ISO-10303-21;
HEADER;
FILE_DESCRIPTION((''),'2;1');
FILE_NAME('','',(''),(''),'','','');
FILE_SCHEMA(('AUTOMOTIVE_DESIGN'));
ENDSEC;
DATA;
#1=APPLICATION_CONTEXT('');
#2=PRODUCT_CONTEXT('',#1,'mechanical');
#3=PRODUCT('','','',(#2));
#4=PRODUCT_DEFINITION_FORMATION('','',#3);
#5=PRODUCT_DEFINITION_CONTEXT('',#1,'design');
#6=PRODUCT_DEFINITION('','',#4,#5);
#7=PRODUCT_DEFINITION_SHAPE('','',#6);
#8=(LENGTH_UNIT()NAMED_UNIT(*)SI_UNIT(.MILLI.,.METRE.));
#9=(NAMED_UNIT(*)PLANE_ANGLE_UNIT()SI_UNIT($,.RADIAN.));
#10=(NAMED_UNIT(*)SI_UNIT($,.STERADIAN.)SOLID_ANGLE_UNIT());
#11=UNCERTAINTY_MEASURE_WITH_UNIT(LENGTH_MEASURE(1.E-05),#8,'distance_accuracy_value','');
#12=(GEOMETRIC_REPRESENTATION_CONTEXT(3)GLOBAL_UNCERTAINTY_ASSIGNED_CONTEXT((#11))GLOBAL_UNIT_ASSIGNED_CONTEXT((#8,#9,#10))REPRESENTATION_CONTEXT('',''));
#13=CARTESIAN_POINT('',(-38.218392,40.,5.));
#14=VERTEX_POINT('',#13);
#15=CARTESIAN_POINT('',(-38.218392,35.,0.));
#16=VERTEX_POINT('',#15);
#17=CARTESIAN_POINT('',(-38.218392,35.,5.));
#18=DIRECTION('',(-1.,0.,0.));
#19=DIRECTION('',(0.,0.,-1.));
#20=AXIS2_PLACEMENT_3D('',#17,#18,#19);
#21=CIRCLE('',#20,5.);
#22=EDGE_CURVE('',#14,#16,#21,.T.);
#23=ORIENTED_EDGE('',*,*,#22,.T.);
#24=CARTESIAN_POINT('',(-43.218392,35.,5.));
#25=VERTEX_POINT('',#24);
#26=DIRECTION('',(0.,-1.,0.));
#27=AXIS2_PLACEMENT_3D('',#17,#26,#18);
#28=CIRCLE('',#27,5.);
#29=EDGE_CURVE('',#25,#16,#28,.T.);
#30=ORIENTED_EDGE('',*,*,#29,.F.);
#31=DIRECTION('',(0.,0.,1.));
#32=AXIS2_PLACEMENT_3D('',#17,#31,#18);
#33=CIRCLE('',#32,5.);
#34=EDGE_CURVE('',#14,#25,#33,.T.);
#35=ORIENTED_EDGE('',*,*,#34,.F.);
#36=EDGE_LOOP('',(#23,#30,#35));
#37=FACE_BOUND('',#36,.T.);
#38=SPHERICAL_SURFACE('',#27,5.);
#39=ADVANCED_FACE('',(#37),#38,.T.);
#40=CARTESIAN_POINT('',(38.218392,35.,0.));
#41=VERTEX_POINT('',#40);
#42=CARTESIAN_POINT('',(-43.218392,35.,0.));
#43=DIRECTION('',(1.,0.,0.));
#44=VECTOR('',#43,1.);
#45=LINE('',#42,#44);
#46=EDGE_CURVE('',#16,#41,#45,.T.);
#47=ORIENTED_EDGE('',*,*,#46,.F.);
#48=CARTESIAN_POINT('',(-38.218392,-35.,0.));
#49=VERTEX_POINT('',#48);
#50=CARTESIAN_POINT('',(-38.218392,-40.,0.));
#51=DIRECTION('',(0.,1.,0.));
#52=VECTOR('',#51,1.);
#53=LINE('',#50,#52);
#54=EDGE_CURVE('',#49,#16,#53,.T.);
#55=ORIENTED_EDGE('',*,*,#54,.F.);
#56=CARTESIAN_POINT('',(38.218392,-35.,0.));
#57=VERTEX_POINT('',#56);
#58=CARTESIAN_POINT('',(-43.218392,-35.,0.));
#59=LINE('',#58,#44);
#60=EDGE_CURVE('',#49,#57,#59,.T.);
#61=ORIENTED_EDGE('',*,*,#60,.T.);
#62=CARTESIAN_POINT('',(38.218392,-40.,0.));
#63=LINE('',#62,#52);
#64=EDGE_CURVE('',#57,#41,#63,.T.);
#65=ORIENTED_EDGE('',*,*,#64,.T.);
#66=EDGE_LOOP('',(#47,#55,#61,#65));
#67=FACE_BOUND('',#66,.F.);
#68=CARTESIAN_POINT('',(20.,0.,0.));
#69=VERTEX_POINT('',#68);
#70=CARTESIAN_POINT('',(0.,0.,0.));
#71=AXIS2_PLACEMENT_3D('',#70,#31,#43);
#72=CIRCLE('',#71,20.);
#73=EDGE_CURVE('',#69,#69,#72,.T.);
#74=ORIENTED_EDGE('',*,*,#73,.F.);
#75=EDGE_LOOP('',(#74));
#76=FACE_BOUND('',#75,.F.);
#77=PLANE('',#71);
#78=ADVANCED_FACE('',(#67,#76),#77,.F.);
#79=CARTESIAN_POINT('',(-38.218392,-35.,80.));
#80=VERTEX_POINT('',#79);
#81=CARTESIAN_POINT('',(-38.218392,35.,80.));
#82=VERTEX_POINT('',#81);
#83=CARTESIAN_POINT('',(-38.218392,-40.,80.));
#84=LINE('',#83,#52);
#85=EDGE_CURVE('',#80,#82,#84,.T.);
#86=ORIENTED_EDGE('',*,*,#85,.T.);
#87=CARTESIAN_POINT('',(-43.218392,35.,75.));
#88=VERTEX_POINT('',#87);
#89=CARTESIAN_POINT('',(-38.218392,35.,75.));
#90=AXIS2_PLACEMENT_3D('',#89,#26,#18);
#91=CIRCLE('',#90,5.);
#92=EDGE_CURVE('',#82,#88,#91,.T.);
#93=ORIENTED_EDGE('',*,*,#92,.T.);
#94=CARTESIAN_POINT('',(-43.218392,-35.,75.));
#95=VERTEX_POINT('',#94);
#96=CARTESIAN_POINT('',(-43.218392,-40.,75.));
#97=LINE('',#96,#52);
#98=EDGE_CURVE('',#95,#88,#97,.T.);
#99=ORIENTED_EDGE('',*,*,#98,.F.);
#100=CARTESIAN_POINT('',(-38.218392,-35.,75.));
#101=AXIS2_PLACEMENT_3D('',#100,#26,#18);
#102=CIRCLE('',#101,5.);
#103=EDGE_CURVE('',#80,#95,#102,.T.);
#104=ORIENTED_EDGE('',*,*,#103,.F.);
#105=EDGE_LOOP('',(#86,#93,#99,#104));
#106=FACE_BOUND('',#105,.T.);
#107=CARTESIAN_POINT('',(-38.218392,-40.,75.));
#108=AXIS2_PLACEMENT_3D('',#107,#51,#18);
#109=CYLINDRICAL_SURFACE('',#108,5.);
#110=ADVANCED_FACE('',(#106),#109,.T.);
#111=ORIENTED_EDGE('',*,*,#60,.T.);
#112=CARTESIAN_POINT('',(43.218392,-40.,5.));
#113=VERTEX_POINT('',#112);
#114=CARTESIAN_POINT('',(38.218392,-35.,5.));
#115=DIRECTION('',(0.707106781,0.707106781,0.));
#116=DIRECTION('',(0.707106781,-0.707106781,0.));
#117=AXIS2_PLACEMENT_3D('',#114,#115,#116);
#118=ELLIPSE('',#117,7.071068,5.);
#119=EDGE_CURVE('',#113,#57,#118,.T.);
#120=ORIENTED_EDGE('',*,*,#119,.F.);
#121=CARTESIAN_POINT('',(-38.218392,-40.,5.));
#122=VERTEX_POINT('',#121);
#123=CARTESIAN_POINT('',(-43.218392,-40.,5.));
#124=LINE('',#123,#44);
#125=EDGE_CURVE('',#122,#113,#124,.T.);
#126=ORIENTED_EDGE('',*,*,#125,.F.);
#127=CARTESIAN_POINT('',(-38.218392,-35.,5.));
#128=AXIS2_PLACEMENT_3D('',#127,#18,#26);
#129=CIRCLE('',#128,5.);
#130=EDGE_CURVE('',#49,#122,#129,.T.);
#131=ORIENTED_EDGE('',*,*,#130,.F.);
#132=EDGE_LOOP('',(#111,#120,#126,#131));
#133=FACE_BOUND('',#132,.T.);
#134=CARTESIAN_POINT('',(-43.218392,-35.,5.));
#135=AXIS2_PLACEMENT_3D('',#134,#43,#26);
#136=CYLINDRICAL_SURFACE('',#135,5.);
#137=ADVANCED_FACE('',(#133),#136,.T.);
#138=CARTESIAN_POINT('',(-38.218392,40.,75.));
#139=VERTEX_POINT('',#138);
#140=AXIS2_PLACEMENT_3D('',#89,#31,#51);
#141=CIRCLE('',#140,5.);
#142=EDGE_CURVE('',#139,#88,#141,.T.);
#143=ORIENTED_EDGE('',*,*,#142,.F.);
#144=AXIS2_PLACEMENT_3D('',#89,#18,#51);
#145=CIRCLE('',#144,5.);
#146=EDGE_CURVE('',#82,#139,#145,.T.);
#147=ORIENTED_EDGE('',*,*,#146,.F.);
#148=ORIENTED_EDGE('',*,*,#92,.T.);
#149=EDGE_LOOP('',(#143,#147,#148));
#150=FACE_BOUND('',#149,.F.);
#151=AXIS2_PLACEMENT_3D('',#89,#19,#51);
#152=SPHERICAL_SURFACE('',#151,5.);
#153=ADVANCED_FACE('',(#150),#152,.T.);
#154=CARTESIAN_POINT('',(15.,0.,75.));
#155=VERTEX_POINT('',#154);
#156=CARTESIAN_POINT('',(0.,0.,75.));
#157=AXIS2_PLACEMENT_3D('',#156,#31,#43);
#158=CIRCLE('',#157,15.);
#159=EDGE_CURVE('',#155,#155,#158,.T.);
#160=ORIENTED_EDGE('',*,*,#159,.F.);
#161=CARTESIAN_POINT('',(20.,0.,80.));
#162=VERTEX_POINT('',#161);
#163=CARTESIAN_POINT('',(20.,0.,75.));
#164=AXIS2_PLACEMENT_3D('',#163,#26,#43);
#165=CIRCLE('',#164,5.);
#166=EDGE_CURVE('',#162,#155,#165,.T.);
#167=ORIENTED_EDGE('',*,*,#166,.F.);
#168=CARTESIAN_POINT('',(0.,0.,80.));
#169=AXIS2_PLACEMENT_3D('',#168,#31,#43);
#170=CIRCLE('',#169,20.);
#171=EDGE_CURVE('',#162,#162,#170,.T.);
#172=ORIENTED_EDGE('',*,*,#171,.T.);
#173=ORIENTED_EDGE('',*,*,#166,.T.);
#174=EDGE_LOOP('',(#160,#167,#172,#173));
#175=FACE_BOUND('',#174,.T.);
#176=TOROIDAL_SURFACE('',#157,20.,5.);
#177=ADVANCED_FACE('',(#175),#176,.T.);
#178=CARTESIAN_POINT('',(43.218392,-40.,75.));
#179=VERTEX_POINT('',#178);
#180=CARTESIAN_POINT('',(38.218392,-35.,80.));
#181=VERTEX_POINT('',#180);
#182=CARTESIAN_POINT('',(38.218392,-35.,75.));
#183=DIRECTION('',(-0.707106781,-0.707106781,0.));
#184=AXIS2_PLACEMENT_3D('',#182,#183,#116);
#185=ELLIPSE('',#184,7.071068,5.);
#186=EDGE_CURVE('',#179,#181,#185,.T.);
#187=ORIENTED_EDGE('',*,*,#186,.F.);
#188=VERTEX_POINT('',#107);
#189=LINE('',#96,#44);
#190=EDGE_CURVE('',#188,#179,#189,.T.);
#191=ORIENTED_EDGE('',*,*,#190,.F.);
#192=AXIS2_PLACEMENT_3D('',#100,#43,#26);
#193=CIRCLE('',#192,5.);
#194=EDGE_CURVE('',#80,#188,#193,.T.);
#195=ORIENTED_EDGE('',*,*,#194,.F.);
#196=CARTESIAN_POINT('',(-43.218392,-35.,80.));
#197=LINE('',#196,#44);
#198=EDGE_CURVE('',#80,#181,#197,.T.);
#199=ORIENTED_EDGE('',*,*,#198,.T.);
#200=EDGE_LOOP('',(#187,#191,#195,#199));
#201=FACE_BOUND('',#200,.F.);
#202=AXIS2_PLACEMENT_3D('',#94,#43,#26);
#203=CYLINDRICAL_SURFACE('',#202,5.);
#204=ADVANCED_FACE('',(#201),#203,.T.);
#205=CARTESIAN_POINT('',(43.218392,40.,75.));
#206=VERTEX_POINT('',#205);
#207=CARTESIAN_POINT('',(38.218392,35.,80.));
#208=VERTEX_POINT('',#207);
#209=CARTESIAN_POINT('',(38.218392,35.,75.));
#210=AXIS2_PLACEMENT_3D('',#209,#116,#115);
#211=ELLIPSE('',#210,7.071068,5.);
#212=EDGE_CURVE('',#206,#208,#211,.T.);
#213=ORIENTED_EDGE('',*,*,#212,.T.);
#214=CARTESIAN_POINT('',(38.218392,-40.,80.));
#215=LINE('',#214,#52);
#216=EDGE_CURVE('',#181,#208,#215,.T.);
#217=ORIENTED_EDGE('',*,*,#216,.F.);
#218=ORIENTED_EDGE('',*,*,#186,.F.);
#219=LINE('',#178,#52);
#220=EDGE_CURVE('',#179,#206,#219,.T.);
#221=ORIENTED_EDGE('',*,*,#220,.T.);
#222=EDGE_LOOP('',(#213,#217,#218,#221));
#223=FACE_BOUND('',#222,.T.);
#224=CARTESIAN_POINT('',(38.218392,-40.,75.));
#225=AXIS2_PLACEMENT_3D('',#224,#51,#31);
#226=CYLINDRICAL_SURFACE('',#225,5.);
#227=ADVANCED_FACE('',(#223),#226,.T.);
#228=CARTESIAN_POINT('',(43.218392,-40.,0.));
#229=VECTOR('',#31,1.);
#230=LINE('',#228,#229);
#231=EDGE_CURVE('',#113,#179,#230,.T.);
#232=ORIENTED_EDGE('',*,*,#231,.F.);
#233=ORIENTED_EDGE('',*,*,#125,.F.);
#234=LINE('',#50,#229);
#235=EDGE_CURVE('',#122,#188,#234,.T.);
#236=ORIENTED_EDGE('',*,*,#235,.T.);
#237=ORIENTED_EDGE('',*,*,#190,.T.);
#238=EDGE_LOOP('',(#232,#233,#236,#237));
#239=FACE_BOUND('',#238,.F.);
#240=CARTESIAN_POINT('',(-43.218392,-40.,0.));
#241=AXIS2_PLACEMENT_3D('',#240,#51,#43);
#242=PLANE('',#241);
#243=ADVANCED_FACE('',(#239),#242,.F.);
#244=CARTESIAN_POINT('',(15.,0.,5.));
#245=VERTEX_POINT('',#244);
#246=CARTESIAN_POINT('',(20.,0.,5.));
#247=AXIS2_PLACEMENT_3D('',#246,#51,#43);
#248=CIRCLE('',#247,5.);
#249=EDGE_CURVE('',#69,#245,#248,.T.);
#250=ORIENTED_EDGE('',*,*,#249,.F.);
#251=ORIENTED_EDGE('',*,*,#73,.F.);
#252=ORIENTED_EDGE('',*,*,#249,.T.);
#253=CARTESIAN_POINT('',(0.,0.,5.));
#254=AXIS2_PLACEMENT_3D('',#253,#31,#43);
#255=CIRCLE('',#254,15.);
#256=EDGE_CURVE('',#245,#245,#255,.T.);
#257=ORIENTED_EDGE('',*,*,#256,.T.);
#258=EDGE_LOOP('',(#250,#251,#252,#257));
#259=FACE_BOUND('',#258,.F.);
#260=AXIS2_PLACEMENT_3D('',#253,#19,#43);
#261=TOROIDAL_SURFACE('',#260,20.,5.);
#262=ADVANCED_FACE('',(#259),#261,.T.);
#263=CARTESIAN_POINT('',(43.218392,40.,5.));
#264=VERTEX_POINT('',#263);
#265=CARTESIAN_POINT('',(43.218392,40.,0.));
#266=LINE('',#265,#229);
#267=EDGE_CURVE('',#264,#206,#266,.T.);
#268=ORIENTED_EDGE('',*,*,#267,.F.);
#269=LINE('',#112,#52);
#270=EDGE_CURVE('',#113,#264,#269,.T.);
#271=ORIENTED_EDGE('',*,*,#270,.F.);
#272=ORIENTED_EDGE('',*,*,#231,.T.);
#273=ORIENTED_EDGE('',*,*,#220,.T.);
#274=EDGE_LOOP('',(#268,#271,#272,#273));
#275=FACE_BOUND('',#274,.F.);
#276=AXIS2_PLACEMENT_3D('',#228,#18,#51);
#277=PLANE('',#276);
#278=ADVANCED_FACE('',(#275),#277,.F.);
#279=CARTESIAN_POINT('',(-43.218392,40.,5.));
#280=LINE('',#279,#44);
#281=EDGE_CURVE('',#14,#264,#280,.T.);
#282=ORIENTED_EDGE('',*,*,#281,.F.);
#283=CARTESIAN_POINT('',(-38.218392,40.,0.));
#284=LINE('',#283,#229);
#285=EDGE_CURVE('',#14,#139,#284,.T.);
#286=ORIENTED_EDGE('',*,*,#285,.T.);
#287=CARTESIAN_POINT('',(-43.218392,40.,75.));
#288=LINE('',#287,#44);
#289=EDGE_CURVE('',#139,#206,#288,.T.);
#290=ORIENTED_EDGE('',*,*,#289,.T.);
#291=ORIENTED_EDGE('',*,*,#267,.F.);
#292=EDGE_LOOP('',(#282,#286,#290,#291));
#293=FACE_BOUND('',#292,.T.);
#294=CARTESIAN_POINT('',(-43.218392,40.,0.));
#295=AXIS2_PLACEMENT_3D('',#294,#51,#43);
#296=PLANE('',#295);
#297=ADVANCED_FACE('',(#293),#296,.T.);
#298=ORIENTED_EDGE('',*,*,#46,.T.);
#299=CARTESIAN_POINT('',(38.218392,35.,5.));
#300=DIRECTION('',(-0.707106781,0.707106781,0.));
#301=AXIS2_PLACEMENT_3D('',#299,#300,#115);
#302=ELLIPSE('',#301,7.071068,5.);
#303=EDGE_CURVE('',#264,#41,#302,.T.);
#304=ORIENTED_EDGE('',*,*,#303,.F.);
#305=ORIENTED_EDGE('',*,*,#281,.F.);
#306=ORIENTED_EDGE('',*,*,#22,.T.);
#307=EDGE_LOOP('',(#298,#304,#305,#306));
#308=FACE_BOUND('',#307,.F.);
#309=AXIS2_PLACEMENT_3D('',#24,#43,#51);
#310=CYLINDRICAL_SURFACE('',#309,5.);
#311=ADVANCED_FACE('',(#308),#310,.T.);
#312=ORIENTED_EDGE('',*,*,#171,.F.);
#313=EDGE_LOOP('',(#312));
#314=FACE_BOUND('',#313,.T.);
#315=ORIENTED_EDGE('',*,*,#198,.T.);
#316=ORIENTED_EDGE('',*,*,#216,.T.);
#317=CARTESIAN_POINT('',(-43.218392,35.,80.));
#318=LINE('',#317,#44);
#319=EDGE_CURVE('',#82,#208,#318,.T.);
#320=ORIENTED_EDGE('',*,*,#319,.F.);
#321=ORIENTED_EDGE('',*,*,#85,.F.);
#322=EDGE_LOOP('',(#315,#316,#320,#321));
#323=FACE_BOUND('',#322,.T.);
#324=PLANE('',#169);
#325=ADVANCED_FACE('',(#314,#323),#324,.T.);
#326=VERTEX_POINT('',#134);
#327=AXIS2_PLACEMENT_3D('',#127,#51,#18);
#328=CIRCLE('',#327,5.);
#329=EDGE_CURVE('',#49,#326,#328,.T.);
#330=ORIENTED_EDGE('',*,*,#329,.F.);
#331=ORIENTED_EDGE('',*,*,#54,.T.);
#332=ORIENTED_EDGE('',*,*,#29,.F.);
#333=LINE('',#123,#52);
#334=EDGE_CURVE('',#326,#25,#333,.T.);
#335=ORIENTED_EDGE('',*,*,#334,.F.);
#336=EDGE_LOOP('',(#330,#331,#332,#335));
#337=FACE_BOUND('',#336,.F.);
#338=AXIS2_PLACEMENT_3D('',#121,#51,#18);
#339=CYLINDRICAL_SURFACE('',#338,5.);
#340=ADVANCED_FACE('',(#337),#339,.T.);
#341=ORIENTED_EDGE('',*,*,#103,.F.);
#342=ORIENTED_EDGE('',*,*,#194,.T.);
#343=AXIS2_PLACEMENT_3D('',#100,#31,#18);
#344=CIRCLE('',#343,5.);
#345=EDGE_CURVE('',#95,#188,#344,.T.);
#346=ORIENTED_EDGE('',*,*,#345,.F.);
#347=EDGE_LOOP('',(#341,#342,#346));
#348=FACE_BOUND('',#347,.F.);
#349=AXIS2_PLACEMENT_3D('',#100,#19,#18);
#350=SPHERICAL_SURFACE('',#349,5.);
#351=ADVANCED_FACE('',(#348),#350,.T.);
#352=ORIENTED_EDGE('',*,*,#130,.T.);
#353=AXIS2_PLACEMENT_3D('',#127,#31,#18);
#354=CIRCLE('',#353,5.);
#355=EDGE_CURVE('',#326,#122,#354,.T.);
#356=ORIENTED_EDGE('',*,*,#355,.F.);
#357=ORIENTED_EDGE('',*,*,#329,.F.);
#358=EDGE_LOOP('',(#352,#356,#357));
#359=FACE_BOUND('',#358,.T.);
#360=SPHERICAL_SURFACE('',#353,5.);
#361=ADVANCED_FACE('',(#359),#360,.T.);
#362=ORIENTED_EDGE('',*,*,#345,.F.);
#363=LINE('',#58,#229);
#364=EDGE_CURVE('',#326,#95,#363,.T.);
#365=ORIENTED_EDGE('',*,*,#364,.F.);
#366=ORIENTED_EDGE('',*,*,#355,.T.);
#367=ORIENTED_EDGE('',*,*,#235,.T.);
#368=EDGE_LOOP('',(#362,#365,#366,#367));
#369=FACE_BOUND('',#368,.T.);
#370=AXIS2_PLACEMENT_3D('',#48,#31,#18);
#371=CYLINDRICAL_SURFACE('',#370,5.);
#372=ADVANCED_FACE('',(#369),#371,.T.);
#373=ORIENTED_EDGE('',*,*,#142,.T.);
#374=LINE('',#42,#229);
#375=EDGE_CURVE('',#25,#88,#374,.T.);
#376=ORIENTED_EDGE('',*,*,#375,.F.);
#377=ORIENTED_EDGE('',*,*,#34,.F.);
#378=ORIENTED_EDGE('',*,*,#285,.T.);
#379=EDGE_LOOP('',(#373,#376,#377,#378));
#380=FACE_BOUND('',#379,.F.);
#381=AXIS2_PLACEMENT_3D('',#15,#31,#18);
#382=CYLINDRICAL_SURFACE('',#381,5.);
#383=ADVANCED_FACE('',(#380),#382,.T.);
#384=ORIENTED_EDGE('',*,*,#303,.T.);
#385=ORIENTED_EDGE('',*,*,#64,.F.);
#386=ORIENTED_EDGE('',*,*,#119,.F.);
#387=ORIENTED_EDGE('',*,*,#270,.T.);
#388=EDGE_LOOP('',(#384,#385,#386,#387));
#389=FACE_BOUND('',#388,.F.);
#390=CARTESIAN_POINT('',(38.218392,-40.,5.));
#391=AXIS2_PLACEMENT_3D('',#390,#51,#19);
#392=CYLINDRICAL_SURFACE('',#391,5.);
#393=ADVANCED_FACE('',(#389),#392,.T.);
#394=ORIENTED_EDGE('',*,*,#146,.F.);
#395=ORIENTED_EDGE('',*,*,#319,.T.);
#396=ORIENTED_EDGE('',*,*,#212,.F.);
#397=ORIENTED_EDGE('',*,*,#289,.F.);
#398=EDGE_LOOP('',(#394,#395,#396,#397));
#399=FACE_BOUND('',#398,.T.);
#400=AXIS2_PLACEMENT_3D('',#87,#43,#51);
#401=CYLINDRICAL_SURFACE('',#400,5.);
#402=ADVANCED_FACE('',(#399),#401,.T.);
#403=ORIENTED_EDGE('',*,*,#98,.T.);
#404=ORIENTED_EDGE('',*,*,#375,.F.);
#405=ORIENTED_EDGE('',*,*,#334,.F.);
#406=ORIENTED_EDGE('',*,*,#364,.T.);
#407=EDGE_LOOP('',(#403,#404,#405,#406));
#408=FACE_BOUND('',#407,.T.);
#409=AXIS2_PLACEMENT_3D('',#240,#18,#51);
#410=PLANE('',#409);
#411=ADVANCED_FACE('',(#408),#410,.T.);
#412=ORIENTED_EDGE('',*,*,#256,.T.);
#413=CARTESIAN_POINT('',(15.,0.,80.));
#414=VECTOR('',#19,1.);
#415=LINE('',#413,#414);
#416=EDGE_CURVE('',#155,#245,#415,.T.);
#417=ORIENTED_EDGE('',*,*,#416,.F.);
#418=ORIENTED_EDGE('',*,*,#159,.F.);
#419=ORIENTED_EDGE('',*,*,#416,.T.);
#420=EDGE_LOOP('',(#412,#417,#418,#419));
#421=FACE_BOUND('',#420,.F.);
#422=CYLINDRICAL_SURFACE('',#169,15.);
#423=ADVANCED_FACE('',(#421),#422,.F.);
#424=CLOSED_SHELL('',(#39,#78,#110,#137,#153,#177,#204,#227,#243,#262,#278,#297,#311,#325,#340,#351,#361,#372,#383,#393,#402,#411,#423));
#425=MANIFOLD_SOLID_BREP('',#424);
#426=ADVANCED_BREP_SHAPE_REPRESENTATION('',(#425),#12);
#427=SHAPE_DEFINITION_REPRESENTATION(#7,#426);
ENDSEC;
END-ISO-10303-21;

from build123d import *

# Parameters (mm, degrees)
F0_W     = 86.436784
F0_H     = 80
F1_DEPTH = 80
F2_R     = 15
F3_DEPTH = 80.001
F4_R     = 5


with BuildPart() as f1:
    # F0 (on Top) → F1 (new body)
    with BuildSketch(Plane.XY):
        Rectangle(F0_W, F0_H)
    extrude(amount=F1_DEPTH)

    # F2 (on face) → F3 (cut, through all)
    with BuildSketch(Plane.XY.offset(80)):
        Circle(F2_R)
    extrude(amount=-F3_DEPTH, mode=Mode.SUBTRACT)

    # F4
    f4_edges = [f1.edges().sort_by_distance(p)[0] for p in [
        (-43.218392, -40, 40),
        (-43.218392, 0, 0),
        (-43.218392, 40, 40),
        (0, -40, 0),
        (0, 40, 0),
        (43.218392, 0, 0),
        (0, 40, 80),
        (-43.218392, 0, 80),
        (0, -40, 80),
        (43.218392, 0, 80),
        (-15, 0, 80),
        (-15, 0, 0),
    ]]
    fillet(f4_edges, radius=F4_R)


solid = f1.part
